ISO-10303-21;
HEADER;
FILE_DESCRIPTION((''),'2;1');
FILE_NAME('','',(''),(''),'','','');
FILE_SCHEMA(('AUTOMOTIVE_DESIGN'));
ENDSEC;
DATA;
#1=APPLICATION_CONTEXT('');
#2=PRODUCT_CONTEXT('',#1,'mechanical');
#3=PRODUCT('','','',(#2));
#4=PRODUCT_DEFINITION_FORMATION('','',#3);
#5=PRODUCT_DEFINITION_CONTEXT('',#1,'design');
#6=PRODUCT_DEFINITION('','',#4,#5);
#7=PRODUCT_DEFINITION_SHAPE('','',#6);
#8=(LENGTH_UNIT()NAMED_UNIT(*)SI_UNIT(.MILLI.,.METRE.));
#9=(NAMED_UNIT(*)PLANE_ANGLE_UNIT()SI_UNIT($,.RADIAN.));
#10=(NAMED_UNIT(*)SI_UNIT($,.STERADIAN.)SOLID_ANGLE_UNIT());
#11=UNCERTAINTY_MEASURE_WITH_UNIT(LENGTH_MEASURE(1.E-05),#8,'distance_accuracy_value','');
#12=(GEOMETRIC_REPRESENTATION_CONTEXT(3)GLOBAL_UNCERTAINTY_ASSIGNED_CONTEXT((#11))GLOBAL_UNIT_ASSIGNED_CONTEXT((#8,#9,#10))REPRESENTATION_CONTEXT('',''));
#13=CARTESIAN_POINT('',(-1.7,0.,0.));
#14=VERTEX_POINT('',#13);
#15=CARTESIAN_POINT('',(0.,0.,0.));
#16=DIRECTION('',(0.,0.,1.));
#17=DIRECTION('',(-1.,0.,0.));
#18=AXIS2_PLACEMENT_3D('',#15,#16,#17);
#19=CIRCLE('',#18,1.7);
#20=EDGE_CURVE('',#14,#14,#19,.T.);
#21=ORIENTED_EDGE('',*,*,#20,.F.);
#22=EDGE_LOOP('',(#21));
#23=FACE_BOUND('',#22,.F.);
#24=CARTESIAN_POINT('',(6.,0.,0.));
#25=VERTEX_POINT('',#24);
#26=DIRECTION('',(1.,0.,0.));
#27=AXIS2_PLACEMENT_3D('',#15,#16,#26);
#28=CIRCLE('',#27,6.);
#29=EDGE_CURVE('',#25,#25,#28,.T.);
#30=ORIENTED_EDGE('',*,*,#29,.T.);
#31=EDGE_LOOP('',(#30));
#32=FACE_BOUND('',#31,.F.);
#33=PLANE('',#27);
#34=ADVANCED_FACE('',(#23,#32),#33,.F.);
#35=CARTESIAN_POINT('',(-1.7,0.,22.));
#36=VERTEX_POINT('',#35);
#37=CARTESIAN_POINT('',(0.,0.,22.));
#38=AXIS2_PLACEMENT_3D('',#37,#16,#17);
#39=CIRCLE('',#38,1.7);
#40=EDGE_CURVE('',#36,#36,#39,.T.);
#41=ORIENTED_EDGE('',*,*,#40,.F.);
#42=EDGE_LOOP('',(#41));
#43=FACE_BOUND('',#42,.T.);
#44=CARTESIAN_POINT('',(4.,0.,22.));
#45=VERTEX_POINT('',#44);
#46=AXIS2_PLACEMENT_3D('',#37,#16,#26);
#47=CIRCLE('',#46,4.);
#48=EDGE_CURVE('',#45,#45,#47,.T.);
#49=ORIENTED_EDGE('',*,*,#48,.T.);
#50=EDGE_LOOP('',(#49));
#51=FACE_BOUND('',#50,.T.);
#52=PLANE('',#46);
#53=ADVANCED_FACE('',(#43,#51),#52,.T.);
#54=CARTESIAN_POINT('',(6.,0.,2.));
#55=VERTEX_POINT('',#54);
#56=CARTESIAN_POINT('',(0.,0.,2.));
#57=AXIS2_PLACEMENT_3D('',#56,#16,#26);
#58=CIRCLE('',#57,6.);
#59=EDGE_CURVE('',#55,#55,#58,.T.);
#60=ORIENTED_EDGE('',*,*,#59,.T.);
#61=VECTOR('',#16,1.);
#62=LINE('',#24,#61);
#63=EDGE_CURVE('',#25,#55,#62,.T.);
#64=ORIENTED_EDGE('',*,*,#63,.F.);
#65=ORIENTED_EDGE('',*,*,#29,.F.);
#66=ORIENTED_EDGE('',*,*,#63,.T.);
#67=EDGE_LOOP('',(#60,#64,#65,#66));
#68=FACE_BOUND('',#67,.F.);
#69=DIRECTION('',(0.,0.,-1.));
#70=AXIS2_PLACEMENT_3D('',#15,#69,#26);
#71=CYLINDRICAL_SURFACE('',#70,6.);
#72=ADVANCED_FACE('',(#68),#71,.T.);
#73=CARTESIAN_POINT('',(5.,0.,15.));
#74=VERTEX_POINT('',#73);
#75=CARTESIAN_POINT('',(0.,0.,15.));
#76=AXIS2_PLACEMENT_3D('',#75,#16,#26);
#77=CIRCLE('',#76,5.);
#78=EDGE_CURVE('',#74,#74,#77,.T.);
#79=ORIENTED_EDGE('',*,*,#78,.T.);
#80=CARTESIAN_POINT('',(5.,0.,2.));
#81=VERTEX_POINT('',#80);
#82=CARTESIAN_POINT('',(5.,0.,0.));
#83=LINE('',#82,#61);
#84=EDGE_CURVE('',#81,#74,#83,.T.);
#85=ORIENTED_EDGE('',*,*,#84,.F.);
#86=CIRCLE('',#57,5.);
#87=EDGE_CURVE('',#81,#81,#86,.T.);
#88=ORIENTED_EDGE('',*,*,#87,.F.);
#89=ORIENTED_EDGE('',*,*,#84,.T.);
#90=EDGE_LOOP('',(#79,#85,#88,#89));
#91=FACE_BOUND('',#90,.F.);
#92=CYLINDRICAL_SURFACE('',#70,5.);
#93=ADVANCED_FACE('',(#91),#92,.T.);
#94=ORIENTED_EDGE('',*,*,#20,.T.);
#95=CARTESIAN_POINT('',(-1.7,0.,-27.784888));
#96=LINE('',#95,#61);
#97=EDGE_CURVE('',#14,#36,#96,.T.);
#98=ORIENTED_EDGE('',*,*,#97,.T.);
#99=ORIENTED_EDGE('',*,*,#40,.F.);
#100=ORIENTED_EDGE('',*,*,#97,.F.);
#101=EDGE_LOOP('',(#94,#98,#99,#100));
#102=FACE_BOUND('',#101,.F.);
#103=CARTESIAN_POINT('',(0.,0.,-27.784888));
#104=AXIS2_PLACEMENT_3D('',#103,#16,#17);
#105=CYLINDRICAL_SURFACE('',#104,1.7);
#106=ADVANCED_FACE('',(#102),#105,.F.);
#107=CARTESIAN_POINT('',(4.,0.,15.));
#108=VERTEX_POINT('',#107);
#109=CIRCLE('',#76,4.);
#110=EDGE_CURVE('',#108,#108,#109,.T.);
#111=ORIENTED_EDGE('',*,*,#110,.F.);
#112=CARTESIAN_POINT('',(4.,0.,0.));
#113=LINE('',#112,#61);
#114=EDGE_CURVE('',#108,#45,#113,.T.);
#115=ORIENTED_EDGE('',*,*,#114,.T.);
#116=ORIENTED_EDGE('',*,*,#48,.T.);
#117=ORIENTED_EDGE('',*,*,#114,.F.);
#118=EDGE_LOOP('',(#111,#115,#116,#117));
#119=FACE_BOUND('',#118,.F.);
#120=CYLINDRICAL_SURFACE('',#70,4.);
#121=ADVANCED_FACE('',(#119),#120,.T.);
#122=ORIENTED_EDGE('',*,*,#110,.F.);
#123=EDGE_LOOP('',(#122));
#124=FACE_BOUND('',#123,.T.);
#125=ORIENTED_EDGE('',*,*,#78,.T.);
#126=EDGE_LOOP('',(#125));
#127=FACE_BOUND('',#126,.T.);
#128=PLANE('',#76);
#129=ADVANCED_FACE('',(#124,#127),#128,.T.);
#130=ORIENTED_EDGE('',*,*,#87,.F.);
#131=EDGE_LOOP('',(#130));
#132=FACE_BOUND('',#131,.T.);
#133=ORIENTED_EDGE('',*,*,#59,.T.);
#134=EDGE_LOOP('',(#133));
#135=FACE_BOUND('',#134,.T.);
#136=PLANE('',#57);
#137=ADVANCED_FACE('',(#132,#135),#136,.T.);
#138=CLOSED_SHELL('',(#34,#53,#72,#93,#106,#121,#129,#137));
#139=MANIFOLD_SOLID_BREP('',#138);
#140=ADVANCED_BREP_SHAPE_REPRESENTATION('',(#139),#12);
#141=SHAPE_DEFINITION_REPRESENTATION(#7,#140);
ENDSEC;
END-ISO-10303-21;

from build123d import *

# Parameters (mm, degrees)
F0_R     = 4
F1_DEPTH = 22
F0_R_2   = 5
F2_DEPTH = 15
F0_R_3   = 6
F3_DEPTH = 2
F4_D     = 3.4


with BuildPart() as f1:
    # F0 (on Top) → F1 (new body)
    with BuildSketch(Plane.XY):
        Circle(F0_R)
    extrude(amount=F1_DEPTH)

    # F0 (on Top) → F2 (join)
    with BuildSketch(Plane.XY):
        Circle(F0_R_2)
        Circle(F0_R, mode=Mode.SUBTRACT)
    extrude(amount=F2_DEPTH)

    # F0 (on Top) → F3 (join)
    with BuildSketch(Plane.XY):
        Circle(F0_R_3)
        Circle(F0_R_2, mode=Mode.SUBTRACT)
    extrude(amount=F3_DEPTH)

    # F4 (through all)
    with Locations(Plane(origin=(0, 0, 0), x_dir=(1, 0, 0), z_dir=(0, 0, -1))):
        with Locations((0, 0)):
            Hole(F4_D / 2)


solid = f1.part
